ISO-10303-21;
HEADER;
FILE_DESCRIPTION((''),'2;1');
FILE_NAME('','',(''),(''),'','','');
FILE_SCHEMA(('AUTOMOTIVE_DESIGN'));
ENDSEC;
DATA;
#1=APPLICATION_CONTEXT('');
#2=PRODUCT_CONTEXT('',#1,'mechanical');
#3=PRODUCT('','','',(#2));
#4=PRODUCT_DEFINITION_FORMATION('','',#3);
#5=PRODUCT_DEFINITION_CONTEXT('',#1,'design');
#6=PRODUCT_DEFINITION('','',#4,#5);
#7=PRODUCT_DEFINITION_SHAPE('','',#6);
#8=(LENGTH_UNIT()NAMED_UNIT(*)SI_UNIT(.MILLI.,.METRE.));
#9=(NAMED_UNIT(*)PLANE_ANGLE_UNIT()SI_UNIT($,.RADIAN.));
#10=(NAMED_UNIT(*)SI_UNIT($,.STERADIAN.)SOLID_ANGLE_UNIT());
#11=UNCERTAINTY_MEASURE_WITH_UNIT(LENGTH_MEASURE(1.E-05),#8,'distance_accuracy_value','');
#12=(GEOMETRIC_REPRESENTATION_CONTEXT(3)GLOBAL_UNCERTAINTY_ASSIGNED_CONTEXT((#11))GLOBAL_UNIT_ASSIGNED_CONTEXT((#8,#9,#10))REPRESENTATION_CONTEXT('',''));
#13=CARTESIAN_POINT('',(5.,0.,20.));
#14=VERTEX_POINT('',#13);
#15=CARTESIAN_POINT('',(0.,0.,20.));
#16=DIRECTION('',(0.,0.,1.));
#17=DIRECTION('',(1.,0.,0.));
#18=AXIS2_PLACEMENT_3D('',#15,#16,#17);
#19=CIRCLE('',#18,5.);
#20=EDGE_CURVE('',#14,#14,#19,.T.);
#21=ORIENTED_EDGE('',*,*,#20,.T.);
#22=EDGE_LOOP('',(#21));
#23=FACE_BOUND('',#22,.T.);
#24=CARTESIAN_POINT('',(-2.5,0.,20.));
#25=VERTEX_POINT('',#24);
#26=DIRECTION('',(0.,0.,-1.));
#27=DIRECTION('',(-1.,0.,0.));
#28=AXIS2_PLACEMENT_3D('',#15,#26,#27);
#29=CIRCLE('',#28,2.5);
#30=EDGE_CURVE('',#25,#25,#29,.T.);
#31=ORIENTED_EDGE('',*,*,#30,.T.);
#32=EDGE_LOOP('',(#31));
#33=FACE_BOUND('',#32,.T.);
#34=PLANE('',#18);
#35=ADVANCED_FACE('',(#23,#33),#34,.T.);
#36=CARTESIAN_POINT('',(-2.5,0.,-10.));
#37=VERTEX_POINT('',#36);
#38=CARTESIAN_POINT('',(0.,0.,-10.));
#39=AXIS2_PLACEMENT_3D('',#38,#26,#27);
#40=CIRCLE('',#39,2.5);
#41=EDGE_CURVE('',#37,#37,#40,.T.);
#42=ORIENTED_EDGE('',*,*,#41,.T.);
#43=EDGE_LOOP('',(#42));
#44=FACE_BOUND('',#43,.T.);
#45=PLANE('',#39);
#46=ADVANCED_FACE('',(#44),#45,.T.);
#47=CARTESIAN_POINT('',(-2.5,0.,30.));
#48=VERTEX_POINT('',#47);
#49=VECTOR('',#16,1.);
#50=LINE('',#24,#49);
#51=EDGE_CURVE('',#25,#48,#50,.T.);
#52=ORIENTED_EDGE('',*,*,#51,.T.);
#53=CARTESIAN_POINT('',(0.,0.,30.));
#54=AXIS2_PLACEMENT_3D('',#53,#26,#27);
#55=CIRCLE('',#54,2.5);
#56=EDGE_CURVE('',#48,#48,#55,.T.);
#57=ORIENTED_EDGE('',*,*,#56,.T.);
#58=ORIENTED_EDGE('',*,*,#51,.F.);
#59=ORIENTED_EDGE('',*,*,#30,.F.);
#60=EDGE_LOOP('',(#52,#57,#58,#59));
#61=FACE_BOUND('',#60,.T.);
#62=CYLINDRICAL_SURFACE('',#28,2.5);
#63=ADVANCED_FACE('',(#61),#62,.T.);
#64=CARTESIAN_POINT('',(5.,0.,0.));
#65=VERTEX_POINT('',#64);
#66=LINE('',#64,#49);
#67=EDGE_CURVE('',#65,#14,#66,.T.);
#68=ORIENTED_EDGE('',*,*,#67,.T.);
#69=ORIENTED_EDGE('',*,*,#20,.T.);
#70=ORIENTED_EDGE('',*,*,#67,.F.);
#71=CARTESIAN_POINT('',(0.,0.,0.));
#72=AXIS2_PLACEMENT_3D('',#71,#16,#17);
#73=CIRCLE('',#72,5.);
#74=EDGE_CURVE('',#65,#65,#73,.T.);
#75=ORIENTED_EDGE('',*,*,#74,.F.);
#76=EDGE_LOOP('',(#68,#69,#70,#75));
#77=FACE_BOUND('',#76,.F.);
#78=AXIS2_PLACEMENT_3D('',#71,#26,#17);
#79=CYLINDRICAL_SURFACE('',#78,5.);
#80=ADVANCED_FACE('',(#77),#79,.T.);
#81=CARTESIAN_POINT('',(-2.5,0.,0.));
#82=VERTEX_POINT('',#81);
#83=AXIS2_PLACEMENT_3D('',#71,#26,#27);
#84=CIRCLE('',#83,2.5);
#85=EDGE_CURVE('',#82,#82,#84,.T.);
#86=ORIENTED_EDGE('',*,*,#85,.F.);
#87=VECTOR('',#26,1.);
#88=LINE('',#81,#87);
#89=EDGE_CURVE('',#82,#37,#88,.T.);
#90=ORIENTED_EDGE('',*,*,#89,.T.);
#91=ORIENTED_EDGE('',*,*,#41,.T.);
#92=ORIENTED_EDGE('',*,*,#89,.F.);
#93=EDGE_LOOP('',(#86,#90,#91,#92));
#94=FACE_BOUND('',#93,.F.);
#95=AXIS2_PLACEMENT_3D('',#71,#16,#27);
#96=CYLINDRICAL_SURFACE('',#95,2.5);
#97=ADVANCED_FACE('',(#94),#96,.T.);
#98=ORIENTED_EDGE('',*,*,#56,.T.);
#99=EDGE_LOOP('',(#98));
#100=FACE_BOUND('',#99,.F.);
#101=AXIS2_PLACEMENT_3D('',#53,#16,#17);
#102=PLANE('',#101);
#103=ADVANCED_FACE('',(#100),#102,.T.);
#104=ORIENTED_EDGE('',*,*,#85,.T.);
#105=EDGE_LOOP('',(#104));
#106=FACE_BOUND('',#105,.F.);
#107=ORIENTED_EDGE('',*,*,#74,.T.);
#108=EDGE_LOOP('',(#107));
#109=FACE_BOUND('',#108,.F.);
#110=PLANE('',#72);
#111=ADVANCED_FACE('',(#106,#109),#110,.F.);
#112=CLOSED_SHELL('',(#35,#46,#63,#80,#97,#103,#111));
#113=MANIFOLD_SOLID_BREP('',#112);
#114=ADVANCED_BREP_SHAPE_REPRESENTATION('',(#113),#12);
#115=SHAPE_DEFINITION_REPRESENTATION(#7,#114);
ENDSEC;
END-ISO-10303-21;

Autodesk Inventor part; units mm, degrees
ref_plane "YZ Plane" through (0, 0, 0) normal (1, 0, 0) x (0, 1, 0)
ref_plane "XZ Plane" through (0, 0, 0) normal (0, 1, 0) x (-1, 0, 0)
sketch "Skizze1" plane through (0, 0, 0) normal (0, 0, 1) x (1, 0, 0)
  circle A0 centre (0, 0) radius 5
  dimension "d0" = 10
extrude "Extrusion1" add sketch "Skizze1" along normal blind 20
sketch "Skizze6" plane through (0, 0, 0) normal (0, 0, -1) x (-1, 0, 0)
  circle A0 centre (0, 0) radius 5 projected
  circle A1 centre (0, 0) radius 2.5
  dimension "d25" = 5
extrude "Extrusion6" add sketch "Skizze6" along normal blind 10 contours A1
ref_plane "Arbeitsebene3" through (0, 0, 10) normal (0, 0, 1) x (1, 0, 0)
mirror "Spiegeln2" about plane through (0, 0, 10) normal (0, 0, 1) of "Extrusion6"
equation "\"d0\" = Durchmesser3"
equation "\"Durchmesser1\" = 15"
equation "\"Größe1\" = 7"
equation "\"Durchmesser2\" = 3"
equation "\"Durchmesser3\" = 10"
equation "\"Größe3\" = 3"
equation "\"Größe4\" = 15"
properties part number "WellenSchiffsschraube2"
